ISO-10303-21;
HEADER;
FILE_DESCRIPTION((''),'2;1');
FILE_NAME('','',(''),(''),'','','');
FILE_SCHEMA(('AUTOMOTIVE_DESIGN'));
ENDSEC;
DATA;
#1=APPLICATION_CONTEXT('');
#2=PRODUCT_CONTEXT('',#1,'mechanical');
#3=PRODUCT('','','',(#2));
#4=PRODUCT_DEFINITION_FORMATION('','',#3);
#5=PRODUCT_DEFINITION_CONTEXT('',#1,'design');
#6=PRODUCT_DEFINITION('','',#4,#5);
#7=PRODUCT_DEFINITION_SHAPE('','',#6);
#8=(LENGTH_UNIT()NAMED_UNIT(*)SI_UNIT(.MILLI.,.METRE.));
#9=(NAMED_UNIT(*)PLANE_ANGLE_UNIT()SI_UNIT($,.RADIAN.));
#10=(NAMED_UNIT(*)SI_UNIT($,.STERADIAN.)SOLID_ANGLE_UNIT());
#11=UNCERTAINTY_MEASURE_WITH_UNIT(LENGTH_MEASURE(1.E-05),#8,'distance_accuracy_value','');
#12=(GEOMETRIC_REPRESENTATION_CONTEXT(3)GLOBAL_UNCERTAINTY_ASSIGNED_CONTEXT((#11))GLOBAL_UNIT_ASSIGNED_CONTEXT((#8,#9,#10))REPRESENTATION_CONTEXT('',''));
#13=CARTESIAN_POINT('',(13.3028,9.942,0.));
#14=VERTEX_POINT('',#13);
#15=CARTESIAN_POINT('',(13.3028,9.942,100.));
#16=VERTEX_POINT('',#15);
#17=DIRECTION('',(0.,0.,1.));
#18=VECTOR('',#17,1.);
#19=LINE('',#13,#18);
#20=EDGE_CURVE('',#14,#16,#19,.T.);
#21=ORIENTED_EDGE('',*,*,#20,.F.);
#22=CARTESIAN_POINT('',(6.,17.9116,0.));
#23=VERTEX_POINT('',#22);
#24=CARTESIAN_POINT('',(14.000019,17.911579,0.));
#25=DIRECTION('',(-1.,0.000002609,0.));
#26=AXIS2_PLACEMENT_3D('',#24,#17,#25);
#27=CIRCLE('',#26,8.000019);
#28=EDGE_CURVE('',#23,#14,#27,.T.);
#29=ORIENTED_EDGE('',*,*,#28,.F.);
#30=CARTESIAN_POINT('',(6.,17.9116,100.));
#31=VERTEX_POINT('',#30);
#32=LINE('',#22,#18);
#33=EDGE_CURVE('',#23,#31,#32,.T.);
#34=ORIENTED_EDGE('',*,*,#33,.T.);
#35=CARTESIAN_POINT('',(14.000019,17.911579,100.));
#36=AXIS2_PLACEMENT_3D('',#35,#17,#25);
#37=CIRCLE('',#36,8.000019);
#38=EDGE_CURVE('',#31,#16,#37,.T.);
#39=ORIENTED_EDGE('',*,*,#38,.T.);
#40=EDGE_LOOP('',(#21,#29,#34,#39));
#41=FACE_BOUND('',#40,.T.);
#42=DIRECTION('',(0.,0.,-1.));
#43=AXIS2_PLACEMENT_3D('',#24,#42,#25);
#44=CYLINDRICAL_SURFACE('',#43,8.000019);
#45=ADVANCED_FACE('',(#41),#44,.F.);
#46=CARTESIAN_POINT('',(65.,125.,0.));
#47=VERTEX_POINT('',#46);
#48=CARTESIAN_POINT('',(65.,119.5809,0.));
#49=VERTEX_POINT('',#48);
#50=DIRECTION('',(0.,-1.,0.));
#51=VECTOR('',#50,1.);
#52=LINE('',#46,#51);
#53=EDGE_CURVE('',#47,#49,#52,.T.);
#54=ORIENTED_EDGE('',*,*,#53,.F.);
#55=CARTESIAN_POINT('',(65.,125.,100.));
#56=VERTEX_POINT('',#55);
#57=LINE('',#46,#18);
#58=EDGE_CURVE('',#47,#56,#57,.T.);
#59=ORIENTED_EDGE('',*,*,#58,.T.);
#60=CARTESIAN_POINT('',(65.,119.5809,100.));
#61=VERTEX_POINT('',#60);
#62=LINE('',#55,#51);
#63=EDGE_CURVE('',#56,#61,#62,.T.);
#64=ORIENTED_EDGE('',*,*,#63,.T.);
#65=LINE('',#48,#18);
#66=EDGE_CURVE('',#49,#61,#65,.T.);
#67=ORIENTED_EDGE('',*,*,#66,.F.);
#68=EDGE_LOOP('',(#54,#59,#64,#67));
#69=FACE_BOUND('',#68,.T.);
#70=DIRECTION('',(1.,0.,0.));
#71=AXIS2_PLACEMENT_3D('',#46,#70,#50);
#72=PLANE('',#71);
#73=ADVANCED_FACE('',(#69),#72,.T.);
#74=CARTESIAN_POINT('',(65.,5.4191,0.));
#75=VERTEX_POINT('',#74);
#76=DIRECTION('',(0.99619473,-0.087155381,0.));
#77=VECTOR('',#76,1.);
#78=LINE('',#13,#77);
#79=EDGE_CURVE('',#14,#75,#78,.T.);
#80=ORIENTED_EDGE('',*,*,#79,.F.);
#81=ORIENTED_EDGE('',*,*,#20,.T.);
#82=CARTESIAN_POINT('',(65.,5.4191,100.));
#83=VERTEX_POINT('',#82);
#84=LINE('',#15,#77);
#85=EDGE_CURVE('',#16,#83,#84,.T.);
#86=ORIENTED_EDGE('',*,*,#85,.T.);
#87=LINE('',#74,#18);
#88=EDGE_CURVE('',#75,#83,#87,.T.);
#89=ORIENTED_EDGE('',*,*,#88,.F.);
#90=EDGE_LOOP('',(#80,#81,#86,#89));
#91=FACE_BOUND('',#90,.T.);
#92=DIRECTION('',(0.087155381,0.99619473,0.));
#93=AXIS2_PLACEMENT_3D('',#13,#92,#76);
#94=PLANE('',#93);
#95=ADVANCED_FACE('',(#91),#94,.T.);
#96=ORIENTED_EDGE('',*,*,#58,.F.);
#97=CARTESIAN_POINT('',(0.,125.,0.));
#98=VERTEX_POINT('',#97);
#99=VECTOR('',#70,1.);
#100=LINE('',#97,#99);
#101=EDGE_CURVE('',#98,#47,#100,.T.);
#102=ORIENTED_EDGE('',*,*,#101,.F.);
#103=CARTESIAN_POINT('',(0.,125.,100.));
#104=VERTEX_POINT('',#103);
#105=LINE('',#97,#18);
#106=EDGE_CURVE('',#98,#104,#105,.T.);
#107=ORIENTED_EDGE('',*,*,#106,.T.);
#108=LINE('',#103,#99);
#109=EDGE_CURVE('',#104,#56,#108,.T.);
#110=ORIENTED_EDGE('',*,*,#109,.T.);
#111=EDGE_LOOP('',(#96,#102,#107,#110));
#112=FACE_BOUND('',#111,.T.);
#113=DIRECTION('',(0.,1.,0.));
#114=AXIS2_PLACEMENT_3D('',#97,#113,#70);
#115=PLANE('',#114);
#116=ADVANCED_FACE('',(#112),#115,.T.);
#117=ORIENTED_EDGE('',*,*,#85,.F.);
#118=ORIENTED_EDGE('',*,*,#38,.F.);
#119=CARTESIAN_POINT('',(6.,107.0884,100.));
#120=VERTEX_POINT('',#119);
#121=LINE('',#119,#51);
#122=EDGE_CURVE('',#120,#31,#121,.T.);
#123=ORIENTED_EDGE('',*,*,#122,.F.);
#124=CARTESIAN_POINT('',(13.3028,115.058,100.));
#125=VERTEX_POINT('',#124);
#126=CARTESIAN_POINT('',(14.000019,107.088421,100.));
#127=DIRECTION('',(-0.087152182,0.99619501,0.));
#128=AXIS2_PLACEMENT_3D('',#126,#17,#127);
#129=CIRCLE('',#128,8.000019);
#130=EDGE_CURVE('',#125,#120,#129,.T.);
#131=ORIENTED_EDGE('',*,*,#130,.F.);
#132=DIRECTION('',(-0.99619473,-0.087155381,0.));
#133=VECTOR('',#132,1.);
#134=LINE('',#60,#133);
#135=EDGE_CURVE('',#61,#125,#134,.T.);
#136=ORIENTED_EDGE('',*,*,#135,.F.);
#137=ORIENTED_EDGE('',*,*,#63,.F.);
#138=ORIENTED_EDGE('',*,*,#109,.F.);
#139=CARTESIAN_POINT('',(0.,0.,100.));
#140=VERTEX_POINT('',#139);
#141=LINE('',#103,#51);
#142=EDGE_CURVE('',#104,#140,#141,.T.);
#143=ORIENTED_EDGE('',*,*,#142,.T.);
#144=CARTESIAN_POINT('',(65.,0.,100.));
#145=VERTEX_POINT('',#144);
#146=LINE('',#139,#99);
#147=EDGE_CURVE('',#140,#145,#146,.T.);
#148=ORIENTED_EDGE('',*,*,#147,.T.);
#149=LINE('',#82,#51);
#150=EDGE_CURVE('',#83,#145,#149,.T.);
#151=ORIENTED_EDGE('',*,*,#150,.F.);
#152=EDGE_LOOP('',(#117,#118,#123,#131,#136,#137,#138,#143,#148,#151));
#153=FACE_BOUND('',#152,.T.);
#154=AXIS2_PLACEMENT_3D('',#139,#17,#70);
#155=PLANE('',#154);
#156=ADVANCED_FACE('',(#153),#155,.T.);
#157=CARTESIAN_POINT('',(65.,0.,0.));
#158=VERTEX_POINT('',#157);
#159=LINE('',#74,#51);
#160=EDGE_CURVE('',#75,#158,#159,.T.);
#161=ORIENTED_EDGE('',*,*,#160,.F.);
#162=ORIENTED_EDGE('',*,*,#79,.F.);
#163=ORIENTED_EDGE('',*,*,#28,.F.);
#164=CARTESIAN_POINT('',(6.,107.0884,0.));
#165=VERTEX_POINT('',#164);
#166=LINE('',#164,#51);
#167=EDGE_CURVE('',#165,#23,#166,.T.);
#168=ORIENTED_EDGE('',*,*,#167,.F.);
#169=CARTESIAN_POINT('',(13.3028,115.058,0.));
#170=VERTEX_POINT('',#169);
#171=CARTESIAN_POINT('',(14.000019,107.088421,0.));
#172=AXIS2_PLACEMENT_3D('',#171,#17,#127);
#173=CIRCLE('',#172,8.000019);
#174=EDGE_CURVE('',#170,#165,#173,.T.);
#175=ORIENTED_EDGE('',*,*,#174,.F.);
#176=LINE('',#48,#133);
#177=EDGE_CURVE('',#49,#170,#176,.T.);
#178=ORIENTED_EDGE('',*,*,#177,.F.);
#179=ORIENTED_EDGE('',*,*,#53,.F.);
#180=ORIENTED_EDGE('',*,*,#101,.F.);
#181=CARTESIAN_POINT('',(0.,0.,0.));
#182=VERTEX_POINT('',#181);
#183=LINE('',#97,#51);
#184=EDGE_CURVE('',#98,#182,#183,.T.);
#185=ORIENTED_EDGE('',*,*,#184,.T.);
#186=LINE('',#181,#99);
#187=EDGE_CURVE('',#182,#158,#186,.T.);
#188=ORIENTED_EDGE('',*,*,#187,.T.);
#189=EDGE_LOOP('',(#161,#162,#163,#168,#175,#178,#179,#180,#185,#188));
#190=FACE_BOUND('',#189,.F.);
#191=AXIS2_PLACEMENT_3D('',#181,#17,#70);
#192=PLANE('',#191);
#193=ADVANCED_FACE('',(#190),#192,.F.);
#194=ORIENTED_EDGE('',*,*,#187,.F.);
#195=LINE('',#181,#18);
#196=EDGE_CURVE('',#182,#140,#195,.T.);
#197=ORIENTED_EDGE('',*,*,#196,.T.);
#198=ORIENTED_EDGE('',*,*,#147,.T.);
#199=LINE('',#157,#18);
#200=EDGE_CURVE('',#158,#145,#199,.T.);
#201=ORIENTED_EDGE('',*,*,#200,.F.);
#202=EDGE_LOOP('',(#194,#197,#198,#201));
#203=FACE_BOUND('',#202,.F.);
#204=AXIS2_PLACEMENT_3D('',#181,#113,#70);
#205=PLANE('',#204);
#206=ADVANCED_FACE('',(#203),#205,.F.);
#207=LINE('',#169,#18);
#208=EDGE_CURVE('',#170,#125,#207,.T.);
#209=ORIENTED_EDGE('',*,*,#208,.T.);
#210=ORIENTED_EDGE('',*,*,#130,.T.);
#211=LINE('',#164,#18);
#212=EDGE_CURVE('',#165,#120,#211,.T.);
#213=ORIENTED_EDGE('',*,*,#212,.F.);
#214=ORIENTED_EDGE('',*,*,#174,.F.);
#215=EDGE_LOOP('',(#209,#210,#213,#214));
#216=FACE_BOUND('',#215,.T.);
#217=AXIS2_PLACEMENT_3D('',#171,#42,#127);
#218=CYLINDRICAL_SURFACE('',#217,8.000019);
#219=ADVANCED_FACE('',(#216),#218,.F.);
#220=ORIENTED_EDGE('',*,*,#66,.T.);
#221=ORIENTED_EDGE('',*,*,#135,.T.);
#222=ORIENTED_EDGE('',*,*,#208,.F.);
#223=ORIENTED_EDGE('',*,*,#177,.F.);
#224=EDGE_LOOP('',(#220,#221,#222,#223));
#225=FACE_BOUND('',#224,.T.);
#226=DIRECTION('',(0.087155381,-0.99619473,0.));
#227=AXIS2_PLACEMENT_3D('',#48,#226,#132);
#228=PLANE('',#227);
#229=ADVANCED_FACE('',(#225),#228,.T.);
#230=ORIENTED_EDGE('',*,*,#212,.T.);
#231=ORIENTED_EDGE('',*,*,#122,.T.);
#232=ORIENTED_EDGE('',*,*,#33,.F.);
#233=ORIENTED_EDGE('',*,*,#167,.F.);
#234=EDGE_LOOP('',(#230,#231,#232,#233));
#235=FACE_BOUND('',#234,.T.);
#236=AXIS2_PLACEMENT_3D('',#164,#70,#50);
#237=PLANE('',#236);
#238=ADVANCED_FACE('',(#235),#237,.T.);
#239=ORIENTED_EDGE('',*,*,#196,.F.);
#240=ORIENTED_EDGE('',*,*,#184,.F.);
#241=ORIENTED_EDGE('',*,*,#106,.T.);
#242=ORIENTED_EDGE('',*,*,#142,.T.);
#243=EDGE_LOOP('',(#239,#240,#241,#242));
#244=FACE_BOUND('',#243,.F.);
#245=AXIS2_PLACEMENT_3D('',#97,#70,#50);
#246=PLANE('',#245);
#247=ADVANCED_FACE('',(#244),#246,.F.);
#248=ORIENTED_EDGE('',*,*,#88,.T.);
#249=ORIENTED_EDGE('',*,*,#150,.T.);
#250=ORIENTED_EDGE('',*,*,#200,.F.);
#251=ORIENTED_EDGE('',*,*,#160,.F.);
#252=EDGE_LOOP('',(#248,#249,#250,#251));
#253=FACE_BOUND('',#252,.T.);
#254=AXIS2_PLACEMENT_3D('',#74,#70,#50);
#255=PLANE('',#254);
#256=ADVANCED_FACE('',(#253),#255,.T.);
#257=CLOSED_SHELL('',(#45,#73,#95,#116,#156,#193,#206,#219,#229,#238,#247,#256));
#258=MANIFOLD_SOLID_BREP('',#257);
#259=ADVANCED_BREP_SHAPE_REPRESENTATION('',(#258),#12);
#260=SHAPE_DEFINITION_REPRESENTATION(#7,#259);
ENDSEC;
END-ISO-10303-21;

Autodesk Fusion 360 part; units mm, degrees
sketch "スケッチ1" plane through (0, 0, 0) normal (0, 0, 1) x (1, 0, 0)
  line L0 (13.3028, 9.942) -> (65, 5.4191)
  line L1 (0, 125) -> (0, 0)
  line L2 (0, 0) -> (65, 0)
  line L3 (65, 5.4191) -> (65, 0)
  line L4 (6, 107.0884) -> (6, 17.9116)
  arc A0 (6, 17.9116) -> (13.3028, 9.942) centre (14, 17.9116) ccw
  line L5 (65, 119.5809) -> (13.3028, 115.058)
  line L6 (0, 125) -> (65, 125)
  arc A1 (13.3028, 115.058) -> (6, 107.0884) centre (14, 107.0884) ccw
  line L7 (65, 125) -> (65, 119.5809)
extrude "押し出し1" add sketch "スケッチ1" along normal blind 100
